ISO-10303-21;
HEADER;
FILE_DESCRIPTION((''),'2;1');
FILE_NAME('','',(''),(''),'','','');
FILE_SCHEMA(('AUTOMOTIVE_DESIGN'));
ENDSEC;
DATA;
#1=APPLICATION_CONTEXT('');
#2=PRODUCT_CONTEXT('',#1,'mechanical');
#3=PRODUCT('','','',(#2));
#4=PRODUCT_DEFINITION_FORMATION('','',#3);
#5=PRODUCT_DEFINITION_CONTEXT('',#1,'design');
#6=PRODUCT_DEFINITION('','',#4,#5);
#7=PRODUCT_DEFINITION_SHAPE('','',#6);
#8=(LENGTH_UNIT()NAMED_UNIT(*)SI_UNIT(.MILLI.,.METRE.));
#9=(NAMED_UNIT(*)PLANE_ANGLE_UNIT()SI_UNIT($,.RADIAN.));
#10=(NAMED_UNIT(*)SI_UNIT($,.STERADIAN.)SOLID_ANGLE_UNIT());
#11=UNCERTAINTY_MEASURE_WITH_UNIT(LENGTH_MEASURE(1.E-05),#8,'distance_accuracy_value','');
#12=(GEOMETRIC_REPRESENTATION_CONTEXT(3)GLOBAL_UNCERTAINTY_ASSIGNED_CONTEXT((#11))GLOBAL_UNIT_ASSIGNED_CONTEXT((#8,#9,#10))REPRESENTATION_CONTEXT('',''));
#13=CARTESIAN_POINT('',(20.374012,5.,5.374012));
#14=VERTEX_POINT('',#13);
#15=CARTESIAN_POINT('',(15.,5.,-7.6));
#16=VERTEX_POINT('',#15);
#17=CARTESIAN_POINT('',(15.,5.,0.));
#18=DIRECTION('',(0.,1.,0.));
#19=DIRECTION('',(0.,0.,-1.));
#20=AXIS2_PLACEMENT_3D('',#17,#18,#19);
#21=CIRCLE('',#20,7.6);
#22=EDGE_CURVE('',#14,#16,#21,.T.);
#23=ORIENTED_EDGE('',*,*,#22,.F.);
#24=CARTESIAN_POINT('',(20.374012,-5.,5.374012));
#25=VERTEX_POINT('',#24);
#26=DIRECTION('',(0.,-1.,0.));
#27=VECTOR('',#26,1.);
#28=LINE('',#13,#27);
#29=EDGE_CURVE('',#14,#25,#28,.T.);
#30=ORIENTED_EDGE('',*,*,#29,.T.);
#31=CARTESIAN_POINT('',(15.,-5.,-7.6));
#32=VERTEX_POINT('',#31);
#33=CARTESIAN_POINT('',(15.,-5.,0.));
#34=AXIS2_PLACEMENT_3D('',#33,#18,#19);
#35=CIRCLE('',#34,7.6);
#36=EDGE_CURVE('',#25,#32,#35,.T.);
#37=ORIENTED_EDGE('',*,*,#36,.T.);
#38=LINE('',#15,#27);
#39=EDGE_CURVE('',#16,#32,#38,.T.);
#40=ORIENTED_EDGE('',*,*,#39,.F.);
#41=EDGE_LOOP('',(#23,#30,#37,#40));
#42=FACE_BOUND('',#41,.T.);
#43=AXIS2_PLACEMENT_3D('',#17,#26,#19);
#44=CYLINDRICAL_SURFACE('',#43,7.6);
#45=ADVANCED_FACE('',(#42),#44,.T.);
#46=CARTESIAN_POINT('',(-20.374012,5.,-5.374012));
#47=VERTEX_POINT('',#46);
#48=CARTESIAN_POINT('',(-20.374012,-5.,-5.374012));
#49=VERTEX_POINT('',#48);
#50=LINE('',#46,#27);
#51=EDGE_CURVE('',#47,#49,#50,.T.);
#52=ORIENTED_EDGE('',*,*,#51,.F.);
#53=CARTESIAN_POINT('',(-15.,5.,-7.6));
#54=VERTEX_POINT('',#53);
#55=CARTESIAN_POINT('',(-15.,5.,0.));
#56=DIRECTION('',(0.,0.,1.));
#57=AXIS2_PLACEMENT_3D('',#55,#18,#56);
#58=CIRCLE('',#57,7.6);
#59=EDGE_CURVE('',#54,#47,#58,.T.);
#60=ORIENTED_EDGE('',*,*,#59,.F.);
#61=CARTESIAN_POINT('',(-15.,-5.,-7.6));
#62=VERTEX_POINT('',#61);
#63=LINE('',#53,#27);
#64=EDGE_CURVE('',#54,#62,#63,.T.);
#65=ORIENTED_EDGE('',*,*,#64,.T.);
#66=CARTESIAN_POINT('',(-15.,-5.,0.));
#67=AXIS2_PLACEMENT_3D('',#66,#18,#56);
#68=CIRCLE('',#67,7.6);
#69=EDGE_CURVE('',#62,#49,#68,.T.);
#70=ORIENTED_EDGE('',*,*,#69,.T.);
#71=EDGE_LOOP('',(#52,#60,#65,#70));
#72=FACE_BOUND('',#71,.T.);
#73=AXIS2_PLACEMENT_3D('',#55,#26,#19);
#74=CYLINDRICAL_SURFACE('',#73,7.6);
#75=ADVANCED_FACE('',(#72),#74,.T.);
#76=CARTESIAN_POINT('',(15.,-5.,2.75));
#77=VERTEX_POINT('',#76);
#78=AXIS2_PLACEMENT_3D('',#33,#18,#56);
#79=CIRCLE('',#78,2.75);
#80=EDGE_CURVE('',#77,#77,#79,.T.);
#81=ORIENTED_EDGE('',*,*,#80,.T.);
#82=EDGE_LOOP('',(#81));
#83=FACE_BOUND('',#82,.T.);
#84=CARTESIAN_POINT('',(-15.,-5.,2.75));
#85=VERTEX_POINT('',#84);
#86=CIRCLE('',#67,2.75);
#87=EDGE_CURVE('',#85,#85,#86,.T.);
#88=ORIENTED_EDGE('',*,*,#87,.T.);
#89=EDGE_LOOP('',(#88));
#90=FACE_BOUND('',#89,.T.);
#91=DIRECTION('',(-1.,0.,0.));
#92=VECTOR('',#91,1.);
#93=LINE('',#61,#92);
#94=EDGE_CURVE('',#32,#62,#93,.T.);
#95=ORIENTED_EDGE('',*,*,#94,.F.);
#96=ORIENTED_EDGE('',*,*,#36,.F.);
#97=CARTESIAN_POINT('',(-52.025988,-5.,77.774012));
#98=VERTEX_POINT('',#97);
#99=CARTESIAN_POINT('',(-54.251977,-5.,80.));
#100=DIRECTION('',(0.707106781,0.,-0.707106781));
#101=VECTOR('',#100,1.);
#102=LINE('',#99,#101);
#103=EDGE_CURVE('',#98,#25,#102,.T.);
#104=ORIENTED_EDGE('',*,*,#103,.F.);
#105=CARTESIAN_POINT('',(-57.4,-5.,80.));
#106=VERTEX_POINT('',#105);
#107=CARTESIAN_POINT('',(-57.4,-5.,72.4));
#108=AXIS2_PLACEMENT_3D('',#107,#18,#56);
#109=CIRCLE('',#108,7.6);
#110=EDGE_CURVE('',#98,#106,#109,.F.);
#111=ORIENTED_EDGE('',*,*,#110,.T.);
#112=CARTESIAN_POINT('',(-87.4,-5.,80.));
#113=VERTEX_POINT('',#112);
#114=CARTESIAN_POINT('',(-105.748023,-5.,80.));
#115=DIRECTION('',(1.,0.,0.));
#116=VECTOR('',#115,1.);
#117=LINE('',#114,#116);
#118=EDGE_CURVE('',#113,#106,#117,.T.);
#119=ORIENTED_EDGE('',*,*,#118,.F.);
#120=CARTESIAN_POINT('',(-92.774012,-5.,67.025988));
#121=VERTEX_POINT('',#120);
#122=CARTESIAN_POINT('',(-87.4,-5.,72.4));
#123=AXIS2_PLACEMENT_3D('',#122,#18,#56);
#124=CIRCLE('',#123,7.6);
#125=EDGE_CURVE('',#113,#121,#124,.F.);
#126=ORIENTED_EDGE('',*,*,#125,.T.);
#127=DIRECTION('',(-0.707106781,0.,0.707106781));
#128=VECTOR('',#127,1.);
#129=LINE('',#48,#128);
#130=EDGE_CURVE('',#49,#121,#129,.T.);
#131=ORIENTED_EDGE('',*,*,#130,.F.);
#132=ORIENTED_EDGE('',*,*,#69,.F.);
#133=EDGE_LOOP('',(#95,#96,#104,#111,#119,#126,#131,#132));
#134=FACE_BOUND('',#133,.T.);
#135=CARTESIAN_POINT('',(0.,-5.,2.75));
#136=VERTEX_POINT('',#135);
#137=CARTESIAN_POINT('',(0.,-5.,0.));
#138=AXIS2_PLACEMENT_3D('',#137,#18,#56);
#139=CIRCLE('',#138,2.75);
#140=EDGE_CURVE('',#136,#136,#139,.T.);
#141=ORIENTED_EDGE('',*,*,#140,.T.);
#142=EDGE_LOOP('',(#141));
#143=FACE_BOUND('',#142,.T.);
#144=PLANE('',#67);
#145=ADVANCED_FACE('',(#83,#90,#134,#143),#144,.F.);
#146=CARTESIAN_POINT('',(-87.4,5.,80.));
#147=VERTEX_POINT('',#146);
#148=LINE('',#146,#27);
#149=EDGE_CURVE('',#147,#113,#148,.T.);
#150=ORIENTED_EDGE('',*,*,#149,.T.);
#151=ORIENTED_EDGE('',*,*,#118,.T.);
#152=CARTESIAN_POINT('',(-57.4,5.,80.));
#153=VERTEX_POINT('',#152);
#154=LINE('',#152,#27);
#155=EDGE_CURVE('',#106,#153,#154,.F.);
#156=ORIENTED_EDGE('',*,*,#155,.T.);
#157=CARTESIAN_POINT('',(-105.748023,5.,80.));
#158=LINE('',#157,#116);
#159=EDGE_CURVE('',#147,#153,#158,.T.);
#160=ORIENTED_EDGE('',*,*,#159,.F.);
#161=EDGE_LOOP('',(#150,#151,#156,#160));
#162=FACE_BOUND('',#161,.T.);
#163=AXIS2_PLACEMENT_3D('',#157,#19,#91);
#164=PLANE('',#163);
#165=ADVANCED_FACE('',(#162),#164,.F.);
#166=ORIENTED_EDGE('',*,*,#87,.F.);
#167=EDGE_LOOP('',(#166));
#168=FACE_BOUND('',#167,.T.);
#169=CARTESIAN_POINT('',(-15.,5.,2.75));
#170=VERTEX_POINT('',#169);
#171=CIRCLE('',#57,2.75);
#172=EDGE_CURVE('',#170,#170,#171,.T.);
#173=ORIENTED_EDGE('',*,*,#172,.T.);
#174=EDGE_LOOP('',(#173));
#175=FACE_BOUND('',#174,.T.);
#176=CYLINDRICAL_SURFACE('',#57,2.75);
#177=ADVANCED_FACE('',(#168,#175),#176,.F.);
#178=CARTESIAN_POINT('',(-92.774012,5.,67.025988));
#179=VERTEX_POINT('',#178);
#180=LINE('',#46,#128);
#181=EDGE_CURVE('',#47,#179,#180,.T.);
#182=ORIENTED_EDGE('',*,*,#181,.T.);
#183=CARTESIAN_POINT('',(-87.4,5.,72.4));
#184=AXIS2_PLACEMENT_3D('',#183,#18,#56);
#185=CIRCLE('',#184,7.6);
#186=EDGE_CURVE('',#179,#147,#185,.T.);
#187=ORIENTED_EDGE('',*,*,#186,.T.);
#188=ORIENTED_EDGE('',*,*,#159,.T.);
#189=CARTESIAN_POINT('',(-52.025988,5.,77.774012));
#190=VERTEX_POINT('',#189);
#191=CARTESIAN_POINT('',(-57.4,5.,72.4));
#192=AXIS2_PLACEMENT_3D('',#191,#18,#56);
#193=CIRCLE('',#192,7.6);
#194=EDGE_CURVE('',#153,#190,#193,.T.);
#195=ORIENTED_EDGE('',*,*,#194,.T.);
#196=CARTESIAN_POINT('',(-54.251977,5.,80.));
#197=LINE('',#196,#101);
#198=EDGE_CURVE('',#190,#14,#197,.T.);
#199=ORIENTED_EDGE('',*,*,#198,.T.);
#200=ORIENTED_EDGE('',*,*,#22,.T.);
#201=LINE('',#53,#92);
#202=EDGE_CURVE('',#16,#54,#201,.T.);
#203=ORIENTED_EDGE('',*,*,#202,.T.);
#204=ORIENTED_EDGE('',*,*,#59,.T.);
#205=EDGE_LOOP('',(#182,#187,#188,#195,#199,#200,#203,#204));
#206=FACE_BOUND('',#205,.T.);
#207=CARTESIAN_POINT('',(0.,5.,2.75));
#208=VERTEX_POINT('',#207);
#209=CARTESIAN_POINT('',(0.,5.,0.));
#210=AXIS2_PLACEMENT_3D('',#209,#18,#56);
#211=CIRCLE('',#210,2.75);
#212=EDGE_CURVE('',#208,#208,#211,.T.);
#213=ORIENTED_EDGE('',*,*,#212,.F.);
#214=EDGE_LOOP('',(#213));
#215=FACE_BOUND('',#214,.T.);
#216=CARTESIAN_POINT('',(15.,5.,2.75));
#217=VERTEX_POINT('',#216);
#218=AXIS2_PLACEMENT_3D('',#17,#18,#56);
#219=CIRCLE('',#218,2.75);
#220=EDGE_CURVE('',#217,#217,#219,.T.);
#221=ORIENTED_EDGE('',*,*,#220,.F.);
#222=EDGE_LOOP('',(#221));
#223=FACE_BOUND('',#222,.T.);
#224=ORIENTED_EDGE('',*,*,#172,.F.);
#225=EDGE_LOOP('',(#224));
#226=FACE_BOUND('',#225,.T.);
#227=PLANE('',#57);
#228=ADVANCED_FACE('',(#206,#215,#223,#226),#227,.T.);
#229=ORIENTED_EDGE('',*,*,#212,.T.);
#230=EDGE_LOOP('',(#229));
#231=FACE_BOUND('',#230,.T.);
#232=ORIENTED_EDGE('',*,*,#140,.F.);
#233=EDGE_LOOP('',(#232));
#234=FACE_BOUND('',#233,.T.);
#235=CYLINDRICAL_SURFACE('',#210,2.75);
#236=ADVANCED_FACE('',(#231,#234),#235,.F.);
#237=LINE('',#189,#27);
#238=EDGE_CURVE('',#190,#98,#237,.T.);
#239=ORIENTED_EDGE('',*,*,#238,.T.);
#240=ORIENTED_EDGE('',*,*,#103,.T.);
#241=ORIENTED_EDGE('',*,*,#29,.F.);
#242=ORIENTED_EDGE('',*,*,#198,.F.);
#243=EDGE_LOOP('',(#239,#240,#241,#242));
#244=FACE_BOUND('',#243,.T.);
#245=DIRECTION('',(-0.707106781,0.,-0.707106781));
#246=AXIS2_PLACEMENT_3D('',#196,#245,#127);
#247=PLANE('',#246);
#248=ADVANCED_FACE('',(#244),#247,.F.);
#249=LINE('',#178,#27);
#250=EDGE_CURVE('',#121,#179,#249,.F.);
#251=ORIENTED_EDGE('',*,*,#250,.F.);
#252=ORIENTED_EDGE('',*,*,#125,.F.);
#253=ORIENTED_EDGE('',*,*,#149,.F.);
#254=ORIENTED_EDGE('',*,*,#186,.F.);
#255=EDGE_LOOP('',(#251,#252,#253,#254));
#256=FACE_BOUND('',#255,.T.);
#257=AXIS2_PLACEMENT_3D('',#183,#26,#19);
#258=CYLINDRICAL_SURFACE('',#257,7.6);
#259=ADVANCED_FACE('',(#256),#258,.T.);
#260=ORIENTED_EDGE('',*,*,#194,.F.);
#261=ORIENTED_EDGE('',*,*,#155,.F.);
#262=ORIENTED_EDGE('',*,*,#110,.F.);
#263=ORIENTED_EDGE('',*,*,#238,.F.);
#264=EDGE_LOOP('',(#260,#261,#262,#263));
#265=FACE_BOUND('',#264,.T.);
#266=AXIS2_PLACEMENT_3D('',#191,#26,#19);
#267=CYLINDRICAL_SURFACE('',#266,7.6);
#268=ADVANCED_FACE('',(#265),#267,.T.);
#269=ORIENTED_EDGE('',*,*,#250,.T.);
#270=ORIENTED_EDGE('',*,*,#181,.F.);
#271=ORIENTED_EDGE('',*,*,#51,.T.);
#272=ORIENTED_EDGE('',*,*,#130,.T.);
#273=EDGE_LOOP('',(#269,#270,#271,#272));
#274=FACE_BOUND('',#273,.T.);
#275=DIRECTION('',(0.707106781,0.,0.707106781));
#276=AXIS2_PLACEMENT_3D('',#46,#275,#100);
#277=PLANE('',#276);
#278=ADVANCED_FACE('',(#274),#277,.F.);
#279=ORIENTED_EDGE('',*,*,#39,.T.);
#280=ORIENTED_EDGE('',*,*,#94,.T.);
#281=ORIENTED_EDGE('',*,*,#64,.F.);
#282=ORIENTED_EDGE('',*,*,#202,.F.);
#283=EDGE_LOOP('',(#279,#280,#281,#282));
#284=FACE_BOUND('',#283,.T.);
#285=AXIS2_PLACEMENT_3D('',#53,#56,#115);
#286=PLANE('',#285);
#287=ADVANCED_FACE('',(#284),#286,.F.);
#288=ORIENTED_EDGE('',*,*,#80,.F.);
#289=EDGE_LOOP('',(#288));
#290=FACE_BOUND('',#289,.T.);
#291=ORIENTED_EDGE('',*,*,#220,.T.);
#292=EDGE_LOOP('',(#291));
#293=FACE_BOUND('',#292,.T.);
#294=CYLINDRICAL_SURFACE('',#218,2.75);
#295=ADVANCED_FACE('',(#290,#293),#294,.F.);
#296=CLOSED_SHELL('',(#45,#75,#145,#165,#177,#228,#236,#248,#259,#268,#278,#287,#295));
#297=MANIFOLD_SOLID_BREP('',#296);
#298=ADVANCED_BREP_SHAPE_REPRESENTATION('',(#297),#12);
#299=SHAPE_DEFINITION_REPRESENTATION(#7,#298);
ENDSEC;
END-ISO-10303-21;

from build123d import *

# Parameters (mm, degrees)
BOSS_EXTRUDE1_DEPTH      = 5
FILLET1_R                = 7.6
M5_CLEARANCE_HOLE1_D     = 5.5
M5_CLEARANCE_HOLE1_DEPTH = 10


with BuildPart() as part:
    # Sketch1 → Boss-Extrude1 (new body, symmetric)
    with BuildSketch(Plane(origin=(0, 0, 0), x_dir=(1, 0, 0), z_dir=(0, 1, 0))):
        with BuildLine():
            Line((-15, 7.6), (15, 7.6))
            ThreePointArc((15, 7.6), (22.021484447, 2.908394086), (20.374011537, -5.374011537))
            Line((20.374011537, -5.374011537), (-54.251976926, -80))
            Line((-54.251976926, -80), (-105.748023074, -80))
            Line((-105.748023074, -80), (-20.374011537, 5.374011537))
            ThreePointArc((-20.374011537, 5.374011537), (-17.908394086, 7.021484447), (-15, 7.6))
        make_face()
    extrude(amount=BOSS_EXTRUDE1_DEPTH, both=True)

    # Fillet1
    fillet1_edges = [part.edges().sort_by_distance(p)[0] for p in [
        (-54.251976926, 0, 80),
        (-105.748023074, 0, 80),
    ]]
    fillet(fillet1_edges, radius=FILLET1_R)

    # M5 Clearance Hole1
    with Locations(Plane(origin=(0, 5, 0), x_dir=(1, 0, 0), z_dir=(0, 1, 0))):
        with Locations((-15, 0), (0, 0), (15, 0)):
            Hole(M5_CLEARANCE_HOLE1_D / 2, depth=M5_CLEARANCE_HOLE1_DEPTH)


solid = part.part
